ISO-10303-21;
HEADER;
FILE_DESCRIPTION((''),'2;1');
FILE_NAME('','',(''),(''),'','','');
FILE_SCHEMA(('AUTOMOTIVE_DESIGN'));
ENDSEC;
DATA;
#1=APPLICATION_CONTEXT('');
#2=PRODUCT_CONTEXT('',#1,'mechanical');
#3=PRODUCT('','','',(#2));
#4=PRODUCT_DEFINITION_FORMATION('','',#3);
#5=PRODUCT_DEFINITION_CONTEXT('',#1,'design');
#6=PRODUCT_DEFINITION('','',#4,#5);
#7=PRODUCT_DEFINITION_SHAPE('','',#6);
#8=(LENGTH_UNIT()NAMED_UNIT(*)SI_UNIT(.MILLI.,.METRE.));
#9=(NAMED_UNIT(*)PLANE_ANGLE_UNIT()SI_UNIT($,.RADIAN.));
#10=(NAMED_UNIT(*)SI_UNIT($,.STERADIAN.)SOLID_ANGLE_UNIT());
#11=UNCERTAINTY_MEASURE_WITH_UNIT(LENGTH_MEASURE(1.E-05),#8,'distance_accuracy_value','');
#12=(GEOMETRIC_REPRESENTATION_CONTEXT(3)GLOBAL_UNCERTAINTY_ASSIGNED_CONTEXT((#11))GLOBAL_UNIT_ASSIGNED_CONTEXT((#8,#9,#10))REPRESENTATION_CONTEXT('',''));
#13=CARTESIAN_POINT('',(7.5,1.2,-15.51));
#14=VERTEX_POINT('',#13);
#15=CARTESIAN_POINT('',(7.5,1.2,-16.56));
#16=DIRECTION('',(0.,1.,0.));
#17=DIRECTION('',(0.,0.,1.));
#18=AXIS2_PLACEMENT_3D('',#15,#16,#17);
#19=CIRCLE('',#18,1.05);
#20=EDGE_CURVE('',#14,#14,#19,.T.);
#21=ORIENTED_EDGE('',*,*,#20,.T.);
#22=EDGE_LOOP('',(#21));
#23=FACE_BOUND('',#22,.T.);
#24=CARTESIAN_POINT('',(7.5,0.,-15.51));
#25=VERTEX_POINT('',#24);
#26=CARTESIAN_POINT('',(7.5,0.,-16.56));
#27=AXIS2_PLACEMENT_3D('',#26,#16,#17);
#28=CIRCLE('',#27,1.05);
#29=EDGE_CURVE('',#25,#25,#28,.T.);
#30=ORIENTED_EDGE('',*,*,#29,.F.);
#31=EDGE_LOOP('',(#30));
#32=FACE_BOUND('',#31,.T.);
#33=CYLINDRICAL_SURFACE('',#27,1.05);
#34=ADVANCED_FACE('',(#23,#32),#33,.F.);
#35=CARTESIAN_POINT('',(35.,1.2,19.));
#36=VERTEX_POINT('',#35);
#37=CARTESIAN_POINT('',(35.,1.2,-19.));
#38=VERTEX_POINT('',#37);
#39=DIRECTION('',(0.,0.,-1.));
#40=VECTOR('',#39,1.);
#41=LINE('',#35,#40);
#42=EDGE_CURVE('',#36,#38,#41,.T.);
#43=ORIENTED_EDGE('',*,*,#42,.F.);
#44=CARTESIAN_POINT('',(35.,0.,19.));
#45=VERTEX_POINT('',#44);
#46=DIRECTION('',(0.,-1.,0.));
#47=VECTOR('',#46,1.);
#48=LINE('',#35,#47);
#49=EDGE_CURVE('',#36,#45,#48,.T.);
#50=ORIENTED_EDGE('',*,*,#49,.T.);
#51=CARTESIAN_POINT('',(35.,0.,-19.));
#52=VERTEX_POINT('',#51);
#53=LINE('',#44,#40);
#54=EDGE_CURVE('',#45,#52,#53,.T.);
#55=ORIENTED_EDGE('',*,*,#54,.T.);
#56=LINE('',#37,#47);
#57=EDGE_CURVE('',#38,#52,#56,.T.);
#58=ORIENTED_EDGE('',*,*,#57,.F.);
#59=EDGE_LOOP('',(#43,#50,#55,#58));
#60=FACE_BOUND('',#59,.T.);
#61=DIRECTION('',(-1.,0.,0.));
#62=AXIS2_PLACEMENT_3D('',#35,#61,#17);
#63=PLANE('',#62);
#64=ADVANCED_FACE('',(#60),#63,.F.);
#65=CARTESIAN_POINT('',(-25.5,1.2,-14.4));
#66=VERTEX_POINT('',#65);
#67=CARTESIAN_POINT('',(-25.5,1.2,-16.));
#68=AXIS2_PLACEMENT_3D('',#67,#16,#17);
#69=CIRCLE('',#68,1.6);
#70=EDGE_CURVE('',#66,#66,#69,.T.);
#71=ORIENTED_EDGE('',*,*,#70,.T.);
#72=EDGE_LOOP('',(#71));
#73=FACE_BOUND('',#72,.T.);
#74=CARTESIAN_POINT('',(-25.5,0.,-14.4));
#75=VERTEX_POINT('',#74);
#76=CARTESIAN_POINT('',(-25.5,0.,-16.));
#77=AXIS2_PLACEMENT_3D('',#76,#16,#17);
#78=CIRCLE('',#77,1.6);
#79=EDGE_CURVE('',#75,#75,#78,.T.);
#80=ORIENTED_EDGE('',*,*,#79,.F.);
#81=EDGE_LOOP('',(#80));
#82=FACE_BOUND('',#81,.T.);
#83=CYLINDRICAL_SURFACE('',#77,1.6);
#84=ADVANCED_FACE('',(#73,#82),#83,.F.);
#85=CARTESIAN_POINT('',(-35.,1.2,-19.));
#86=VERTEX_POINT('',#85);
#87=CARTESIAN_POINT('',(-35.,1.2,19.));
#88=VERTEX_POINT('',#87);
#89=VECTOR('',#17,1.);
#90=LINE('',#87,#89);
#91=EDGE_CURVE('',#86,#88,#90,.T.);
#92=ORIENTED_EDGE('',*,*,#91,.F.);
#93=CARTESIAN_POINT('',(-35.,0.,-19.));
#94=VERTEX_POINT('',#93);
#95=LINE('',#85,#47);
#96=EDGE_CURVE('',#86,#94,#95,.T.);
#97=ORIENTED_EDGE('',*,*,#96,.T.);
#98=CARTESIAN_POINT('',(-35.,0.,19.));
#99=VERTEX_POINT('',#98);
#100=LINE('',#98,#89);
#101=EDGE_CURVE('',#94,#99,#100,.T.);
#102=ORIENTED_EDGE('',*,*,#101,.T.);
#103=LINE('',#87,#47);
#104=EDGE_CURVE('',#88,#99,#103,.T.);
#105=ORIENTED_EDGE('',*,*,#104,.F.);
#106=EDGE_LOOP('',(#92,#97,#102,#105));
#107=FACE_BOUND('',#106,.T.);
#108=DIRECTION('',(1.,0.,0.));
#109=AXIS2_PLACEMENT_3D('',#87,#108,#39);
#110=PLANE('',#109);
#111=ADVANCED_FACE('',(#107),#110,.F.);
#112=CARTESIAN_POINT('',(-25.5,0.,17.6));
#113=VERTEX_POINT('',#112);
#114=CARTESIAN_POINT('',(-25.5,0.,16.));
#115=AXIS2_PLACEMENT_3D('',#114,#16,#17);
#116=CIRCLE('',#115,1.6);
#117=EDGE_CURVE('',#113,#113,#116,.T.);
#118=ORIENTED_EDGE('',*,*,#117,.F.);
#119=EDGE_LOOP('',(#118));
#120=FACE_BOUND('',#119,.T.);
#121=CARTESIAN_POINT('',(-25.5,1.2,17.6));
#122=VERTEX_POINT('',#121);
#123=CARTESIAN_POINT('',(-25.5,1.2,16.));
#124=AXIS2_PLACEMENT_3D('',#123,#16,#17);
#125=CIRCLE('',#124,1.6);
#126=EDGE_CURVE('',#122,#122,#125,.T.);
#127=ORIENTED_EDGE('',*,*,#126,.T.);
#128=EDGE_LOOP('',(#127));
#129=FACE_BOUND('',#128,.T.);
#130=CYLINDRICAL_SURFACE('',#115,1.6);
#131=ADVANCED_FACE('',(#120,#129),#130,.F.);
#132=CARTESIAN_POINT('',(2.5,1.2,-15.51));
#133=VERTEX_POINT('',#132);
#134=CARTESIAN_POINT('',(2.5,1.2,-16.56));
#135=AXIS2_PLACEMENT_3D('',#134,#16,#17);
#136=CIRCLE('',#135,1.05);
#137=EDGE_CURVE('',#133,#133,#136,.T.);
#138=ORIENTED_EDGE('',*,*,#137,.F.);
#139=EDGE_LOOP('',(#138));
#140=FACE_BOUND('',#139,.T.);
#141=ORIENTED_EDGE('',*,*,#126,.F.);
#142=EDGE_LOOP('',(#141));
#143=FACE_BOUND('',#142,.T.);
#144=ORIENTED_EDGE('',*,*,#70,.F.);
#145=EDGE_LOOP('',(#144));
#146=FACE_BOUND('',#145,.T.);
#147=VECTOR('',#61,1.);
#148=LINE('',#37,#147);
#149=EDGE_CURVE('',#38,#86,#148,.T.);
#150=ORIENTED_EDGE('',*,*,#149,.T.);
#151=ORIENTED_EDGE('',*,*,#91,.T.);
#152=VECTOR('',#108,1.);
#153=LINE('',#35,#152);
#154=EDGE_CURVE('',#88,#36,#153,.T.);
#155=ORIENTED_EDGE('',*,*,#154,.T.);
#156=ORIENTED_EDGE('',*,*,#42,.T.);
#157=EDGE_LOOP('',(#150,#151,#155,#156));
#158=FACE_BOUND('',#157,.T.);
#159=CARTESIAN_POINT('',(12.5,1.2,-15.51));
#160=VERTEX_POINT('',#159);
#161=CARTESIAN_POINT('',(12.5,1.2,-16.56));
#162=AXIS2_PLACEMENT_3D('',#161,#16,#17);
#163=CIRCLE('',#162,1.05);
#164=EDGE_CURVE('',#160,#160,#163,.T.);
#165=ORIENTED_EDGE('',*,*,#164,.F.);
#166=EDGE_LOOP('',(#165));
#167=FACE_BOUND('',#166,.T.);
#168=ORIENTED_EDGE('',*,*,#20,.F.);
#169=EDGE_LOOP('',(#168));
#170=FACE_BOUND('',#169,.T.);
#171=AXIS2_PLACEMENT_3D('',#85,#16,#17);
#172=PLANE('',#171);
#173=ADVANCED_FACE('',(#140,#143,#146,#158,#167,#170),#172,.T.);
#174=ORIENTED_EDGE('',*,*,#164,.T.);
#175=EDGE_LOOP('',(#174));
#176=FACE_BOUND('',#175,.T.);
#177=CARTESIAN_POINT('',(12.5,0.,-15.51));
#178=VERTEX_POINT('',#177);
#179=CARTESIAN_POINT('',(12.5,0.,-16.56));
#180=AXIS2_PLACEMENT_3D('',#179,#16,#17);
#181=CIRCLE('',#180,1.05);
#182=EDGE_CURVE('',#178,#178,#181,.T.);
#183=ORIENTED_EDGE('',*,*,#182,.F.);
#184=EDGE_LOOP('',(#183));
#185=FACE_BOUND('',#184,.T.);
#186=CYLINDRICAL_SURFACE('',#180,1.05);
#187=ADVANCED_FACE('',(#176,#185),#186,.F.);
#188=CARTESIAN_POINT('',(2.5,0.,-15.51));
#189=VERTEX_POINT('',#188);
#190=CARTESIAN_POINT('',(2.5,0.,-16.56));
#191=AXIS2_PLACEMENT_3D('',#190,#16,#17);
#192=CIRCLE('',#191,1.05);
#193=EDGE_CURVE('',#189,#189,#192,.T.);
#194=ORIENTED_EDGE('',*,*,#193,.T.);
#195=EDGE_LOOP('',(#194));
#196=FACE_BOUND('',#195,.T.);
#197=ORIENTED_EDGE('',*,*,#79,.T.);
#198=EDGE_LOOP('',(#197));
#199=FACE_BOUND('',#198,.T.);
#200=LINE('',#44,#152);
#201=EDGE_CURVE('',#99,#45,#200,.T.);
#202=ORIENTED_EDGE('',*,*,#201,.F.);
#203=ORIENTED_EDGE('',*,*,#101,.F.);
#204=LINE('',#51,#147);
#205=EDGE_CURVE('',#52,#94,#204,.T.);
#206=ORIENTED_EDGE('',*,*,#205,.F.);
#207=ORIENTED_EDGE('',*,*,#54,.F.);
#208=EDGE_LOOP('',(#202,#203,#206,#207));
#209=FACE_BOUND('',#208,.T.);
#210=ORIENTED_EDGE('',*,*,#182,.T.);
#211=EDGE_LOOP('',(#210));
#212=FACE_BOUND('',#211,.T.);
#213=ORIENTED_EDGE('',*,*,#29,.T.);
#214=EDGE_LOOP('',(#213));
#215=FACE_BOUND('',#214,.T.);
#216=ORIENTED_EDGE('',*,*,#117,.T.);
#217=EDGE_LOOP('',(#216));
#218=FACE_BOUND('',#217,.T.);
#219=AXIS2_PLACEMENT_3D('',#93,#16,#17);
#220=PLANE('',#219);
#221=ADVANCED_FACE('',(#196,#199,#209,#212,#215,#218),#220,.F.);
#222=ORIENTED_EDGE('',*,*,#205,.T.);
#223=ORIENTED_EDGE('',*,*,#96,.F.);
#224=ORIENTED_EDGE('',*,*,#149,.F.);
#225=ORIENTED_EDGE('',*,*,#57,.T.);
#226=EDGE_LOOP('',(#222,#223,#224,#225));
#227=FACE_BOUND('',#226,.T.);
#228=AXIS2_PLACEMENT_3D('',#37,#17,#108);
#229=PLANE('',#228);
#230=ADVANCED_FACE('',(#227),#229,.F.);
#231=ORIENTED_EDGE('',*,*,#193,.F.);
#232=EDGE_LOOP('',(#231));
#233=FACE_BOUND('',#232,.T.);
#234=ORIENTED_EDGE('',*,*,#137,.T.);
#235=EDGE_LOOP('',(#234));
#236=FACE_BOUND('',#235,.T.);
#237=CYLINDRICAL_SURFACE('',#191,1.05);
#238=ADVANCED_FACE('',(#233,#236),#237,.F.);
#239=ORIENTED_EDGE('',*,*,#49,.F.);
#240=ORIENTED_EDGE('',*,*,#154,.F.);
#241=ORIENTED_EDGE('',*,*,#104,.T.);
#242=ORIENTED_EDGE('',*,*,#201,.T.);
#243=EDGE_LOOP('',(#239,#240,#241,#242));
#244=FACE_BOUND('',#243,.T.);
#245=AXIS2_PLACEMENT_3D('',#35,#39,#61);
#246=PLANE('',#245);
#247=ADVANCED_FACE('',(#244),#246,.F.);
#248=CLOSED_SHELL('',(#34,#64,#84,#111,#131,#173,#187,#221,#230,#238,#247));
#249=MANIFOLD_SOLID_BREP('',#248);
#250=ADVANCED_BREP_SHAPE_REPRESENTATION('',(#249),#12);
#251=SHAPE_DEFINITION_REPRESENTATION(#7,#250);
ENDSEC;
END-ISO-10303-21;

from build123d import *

# Parameters (mm, degrees)
SKETCH1_W           = 70
SKETCH1_H           = 38
BOSS_EXTRUDE1_DEPTH = 1.2
SKETCH2_R           = 1.6
SKETCH2_R_2         = 1.05
CUT_EXTRUDE1_DEPTH  = 40.842690672


with BuildPart() as part:
    # Sketch1 → Boss-Extrude1 (new body)
    with BuildSketch(Plane(origin=(0, 0, 0), x_dir=(1, 0, 0), z_dir=(0, 1, 0))):
        Rectangle(SKETCH1_W, SKETCH1_H)
    extrude(amount=BOSS_EXTRUDE1_DEPTH)

    # Sketch2 → Cut-Extrude1 (cut, through all)
    with BuildSketch(Plane(origin=(0, 1.2, 0), x_dir=(1, 0, 0), z_dir=(0, 1, 0))):
        with Locations(Location((-25.5, 16, 0), (0, 0, 270))):
            Circle(SKETCH2_R)
        with Locations(Location((-25.5, -16, 0), (0, 0, 270))):
            Circle(SKETCH2_R)
        with Locations(Location((2.5, 16.56, 0), (0, 0, 270))):
            Circle(SKETCH2_R_2)
        with Locations(Location((7.5, 16.56, 0), (0, 0, 270))):
            Circle(SKETCH2_R_2)
        with Locations(Location((12.5, 16.56, 0), (0, 0, 270))):
            Circle(SKETCH2_R_2)
    extrude(amount=-CUT_EXTRUDE1_DEPTH, mode=Mode.SUBTRACT)


solid = part.part
